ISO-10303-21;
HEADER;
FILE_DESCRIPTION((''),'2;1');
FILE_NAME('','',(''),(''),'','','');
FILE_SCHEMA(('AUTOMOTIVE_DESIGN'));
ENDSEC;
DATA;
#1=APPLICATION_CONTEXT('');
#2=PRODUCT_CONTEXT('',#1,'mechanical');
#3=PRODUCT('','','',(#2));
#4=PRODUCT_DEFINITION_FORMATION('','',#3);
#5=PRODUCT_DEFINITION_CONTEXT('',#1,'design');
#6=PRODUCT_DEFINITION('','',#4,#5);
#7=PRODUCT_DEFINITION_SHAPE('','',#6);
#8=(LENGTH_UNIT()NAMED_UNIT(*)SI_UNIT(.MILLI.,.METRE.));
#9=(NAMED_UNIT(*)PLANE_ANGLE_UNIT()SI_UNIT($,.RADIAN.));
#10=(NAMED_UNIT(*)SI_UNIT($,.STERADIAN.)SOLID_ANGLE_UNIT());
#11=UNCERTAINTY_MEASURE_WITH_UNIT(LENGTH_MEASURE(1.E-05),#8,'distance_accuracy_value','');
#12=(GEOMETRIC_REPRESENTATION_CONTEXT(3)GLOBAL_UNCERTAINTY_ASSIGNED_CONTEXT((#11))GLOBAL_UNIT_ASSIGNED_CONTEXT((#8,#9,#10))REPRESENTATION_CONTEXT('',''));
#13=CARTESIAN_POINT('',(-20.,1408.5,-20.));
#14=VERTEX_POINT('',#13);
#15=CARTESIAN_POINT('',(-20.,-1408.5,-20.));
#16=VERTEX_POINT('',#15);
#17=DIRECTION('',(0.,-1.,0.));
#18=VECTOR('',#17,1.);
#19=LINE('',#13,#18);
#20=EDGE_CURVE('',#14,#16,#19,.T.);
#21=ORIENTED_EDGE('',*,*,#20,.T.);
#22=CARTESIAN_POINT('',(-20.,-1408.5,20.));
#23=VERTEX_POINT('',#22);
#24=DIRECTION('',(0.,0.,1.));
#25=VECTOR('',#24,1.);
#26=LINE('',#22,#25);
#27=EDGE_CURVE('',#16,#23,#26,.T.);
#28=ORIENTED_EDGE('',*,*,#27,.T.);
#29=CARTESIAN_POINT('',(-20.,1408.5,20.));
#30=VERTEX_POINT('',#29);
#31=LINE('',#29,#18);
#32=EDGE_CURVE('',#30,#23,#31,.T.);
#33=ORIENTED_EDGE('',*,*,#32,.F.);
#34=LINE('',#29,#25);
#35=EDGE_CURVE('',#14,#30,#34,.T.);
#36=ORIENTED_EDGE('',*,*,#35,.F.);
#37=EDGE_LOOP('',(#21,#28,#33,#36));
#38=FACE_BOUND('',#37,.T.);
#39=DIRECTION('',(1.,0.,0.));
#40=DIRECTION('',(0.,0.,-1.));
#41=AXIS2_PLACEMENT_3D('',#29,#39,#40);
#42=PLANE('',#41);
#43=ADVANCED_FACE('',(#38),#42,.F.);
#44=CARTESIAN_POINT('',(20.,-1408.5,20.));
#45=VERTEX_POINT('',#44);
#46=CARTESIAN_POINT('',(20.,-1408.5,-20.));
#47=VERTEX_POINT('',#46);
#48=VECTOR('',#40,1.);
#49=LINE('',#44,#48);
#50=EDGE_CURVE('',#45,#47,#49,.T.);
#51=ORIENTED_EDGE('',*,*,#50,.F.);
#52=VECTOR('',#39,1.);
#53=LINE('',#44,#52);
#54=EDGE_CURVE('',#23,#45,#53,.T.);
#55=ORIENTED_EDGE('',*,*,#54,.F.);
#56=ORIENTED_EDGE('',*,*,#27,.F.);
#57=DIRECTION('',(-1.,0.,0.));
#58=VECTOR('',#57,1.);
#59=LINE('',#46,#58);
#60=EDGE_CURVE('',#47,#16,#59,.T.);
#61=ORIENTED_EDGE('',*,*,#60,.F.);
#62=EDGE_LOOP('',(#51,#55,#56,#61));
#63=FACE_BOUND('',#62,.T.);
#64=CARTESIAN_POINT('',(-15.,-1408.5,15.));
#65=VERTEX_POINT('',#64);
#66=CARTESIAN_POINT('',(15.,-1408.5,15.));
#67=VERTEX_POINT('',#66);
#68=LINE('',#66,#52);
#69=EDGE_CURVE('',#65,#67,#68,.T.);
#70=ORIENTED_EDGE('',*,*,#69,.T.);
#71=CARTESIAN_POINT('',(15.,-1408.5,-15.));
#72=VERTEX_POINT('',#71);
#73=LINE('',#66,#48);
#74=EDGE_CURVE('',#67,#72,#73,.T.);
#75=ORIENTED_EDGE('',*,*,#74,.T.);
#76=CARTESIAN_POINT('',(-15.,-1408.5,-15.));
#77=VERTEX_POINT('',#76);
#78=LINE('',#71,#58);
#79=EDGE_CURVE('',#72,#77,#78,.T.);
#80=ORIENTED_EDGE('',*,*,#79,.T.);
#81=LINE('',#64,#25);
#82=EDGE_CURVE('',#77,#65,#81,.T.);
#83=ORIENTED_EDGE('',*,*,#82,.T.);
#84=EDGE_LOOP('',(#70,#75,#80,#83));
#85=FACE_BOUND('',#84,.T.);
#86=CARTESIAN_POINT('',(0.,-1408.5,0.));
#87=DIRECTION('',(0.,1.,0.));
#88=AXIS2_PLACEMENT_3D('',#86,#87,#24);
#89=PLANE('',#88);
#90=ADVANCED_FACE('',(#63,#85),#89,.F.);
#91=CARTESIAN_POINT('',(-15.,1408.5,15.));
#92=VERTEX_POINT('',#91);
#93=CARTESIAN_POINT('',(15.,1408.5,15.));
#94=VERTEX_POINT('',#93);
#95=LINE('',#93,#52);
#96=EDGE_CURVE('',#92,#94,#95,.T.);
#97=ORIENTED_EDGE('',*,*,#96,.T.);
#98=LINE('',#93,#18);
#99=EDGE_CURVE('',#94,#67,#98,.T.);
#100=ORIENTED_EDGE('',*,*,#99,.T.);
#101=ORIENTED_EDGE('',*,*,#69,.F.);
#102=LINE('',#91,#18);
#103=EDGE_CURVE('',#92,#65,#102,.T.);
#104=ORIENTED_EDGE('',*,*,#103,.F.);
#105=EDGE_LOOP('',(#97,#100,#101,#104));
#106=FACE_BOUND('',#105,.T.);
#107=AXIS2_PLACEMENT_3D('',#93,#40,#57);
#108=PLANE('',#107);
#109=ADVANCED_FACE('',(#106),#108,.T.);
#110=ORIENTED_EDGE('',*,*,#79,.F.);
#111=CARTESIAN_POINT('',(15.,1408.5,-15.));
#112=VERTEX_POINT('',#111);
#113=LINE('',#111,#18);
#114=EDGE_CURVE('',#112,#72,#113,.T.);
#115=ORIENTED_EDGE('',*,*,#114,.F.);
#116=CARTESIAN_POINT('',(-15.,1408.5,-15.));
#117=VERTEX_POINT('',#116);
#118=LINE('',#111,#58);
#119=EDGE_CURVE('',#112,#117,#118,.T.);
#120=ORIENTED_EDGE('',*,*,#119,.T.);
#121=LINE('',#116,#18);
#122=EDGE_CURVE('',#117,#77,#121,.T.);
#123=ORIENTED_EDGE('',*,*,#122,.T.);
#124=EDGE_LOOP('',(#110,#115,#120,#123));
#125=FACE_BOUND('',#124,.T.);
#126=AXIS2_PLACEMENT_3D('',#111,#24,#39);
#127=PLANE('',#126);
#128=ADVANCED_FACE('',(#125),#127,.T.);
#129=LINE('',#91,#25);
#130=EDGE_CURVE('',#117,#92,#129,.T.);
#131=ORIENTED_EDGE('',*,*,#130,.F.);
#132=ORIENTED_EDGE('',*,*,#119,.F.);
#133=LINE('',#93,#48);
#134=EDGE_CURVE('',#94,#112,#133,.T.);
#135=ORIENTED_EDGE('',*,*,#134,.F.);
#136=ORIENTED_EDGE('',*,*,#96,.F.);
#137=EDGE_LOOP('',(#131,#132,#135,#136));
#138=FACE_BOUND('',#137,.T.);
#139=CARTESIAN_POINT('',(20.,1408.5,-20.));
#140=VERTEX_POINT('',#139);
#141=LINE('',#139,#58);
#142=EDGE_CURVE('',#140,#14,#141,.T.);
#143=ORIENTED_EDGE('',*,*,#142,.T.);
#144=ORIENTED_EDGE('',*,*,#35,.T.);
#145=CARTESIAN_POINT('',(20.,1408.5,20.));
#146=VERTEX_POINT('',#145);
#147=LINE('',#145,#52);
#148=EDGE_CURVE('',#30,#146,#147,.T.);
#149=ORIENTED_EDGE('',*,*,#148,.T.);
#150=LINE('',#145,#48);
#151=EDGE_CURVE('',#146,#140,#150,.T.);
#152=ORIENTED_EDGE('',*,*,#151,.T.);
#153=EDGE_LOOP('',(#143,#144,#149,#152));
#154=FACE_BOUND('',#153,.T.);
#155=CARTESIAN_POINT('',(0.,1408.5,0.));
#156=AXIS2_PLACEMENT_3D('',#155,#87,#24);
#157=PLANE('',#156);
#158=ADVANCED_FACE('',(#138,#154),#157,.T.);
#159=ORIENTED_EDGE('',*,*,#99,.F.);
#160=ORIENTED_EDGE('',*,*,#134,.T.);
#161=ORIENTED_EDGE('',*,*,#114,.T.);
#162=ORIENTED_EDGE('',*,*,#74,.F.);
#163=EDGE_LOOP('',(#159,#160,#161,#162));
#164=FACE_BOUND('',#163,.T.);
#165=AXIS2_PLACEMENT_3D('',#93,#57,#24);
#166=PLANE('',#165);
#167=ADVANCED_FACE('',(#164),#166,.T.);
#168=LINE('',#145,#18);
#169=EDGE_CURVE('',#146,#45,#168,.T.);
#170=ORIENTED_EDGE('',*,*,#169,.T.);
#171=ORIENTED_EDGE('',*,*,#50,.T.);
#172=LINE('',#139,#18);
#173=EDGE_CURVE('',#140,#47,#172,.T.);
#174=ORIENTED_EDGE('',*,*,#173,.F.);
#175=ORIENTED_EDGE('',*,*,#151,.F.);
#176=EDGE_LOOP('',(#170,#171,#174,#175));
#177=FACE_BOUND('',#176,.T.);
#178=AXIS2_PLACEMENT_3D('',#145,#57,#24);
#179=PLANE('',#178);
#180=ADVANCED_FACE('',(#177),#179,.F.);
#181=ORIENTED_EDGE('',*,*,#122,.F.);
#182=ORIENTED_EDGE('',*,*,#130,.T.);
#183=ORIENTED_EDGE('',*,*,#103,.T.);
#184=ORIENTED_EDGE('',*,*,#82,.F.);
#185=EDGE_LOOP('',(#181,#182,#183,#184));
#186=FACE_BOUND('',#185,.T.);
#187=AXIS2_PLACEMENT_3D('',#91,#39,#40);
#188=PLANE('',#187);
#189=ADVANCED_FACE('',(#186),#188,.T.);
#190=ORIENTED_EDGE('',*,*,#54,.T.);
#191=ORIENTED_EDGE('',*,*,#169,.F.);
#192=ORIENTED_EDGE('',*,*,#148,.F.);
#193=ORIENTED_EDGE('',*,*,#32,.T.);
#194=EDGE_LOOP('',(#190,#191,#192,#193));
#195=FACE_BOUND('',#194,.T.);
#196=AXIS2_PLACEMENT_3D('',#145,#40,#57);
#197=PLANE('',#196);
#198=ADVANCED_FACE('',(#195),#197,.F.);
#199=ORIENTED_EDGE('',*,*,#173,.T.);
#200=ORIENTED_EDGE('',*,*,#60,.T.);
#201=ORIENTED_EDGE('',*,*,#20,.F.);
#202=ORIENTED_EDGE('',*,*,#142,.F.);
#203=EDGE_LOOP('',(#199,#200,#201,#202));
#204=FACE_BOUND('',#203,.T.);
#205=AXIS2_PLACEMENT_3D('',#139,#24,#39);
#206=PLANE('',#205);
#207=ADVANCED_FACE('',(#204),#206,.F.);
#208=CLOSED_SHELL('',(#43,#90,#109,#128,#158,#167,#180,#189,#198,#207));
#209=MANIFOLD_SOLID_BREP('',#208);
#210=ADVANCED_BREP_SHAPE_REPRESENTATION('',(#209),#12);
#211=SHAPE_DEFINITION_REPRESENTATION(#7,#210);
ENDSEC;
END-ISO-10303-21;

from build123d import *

# Parameters (mm, degrees)
SCHIZZO1_W                   = 40
SCHIZZO1_H                   = 40
SCHIZZO1_W_2                 = 30
SCHIZZO1_H_2                 = 30
ESTRUSIONE_ESTRUSIONE1_DEPTH = 1408.5


with BuildPart() as part:
    # Schizzo1 → Estrusione-Estrusione1 (new body, symmetric)
    with BuildSketch(Plane(origin=(0, 0, 0), x_dir=(1, 0, 0), z_dir=(0, 1, 0))):
        Rectangle(SCHIZZO1_W, SCHIZZO1_H)
        Rectangle(SCHIZZO1_W_2, SCHIZZO1_H_2, mode=Mode.SUBTRACT)
    extrude(amount=ESTRUSIONE_ESTRUSIONE1_DEPTH, both=True)


solid = part.part
